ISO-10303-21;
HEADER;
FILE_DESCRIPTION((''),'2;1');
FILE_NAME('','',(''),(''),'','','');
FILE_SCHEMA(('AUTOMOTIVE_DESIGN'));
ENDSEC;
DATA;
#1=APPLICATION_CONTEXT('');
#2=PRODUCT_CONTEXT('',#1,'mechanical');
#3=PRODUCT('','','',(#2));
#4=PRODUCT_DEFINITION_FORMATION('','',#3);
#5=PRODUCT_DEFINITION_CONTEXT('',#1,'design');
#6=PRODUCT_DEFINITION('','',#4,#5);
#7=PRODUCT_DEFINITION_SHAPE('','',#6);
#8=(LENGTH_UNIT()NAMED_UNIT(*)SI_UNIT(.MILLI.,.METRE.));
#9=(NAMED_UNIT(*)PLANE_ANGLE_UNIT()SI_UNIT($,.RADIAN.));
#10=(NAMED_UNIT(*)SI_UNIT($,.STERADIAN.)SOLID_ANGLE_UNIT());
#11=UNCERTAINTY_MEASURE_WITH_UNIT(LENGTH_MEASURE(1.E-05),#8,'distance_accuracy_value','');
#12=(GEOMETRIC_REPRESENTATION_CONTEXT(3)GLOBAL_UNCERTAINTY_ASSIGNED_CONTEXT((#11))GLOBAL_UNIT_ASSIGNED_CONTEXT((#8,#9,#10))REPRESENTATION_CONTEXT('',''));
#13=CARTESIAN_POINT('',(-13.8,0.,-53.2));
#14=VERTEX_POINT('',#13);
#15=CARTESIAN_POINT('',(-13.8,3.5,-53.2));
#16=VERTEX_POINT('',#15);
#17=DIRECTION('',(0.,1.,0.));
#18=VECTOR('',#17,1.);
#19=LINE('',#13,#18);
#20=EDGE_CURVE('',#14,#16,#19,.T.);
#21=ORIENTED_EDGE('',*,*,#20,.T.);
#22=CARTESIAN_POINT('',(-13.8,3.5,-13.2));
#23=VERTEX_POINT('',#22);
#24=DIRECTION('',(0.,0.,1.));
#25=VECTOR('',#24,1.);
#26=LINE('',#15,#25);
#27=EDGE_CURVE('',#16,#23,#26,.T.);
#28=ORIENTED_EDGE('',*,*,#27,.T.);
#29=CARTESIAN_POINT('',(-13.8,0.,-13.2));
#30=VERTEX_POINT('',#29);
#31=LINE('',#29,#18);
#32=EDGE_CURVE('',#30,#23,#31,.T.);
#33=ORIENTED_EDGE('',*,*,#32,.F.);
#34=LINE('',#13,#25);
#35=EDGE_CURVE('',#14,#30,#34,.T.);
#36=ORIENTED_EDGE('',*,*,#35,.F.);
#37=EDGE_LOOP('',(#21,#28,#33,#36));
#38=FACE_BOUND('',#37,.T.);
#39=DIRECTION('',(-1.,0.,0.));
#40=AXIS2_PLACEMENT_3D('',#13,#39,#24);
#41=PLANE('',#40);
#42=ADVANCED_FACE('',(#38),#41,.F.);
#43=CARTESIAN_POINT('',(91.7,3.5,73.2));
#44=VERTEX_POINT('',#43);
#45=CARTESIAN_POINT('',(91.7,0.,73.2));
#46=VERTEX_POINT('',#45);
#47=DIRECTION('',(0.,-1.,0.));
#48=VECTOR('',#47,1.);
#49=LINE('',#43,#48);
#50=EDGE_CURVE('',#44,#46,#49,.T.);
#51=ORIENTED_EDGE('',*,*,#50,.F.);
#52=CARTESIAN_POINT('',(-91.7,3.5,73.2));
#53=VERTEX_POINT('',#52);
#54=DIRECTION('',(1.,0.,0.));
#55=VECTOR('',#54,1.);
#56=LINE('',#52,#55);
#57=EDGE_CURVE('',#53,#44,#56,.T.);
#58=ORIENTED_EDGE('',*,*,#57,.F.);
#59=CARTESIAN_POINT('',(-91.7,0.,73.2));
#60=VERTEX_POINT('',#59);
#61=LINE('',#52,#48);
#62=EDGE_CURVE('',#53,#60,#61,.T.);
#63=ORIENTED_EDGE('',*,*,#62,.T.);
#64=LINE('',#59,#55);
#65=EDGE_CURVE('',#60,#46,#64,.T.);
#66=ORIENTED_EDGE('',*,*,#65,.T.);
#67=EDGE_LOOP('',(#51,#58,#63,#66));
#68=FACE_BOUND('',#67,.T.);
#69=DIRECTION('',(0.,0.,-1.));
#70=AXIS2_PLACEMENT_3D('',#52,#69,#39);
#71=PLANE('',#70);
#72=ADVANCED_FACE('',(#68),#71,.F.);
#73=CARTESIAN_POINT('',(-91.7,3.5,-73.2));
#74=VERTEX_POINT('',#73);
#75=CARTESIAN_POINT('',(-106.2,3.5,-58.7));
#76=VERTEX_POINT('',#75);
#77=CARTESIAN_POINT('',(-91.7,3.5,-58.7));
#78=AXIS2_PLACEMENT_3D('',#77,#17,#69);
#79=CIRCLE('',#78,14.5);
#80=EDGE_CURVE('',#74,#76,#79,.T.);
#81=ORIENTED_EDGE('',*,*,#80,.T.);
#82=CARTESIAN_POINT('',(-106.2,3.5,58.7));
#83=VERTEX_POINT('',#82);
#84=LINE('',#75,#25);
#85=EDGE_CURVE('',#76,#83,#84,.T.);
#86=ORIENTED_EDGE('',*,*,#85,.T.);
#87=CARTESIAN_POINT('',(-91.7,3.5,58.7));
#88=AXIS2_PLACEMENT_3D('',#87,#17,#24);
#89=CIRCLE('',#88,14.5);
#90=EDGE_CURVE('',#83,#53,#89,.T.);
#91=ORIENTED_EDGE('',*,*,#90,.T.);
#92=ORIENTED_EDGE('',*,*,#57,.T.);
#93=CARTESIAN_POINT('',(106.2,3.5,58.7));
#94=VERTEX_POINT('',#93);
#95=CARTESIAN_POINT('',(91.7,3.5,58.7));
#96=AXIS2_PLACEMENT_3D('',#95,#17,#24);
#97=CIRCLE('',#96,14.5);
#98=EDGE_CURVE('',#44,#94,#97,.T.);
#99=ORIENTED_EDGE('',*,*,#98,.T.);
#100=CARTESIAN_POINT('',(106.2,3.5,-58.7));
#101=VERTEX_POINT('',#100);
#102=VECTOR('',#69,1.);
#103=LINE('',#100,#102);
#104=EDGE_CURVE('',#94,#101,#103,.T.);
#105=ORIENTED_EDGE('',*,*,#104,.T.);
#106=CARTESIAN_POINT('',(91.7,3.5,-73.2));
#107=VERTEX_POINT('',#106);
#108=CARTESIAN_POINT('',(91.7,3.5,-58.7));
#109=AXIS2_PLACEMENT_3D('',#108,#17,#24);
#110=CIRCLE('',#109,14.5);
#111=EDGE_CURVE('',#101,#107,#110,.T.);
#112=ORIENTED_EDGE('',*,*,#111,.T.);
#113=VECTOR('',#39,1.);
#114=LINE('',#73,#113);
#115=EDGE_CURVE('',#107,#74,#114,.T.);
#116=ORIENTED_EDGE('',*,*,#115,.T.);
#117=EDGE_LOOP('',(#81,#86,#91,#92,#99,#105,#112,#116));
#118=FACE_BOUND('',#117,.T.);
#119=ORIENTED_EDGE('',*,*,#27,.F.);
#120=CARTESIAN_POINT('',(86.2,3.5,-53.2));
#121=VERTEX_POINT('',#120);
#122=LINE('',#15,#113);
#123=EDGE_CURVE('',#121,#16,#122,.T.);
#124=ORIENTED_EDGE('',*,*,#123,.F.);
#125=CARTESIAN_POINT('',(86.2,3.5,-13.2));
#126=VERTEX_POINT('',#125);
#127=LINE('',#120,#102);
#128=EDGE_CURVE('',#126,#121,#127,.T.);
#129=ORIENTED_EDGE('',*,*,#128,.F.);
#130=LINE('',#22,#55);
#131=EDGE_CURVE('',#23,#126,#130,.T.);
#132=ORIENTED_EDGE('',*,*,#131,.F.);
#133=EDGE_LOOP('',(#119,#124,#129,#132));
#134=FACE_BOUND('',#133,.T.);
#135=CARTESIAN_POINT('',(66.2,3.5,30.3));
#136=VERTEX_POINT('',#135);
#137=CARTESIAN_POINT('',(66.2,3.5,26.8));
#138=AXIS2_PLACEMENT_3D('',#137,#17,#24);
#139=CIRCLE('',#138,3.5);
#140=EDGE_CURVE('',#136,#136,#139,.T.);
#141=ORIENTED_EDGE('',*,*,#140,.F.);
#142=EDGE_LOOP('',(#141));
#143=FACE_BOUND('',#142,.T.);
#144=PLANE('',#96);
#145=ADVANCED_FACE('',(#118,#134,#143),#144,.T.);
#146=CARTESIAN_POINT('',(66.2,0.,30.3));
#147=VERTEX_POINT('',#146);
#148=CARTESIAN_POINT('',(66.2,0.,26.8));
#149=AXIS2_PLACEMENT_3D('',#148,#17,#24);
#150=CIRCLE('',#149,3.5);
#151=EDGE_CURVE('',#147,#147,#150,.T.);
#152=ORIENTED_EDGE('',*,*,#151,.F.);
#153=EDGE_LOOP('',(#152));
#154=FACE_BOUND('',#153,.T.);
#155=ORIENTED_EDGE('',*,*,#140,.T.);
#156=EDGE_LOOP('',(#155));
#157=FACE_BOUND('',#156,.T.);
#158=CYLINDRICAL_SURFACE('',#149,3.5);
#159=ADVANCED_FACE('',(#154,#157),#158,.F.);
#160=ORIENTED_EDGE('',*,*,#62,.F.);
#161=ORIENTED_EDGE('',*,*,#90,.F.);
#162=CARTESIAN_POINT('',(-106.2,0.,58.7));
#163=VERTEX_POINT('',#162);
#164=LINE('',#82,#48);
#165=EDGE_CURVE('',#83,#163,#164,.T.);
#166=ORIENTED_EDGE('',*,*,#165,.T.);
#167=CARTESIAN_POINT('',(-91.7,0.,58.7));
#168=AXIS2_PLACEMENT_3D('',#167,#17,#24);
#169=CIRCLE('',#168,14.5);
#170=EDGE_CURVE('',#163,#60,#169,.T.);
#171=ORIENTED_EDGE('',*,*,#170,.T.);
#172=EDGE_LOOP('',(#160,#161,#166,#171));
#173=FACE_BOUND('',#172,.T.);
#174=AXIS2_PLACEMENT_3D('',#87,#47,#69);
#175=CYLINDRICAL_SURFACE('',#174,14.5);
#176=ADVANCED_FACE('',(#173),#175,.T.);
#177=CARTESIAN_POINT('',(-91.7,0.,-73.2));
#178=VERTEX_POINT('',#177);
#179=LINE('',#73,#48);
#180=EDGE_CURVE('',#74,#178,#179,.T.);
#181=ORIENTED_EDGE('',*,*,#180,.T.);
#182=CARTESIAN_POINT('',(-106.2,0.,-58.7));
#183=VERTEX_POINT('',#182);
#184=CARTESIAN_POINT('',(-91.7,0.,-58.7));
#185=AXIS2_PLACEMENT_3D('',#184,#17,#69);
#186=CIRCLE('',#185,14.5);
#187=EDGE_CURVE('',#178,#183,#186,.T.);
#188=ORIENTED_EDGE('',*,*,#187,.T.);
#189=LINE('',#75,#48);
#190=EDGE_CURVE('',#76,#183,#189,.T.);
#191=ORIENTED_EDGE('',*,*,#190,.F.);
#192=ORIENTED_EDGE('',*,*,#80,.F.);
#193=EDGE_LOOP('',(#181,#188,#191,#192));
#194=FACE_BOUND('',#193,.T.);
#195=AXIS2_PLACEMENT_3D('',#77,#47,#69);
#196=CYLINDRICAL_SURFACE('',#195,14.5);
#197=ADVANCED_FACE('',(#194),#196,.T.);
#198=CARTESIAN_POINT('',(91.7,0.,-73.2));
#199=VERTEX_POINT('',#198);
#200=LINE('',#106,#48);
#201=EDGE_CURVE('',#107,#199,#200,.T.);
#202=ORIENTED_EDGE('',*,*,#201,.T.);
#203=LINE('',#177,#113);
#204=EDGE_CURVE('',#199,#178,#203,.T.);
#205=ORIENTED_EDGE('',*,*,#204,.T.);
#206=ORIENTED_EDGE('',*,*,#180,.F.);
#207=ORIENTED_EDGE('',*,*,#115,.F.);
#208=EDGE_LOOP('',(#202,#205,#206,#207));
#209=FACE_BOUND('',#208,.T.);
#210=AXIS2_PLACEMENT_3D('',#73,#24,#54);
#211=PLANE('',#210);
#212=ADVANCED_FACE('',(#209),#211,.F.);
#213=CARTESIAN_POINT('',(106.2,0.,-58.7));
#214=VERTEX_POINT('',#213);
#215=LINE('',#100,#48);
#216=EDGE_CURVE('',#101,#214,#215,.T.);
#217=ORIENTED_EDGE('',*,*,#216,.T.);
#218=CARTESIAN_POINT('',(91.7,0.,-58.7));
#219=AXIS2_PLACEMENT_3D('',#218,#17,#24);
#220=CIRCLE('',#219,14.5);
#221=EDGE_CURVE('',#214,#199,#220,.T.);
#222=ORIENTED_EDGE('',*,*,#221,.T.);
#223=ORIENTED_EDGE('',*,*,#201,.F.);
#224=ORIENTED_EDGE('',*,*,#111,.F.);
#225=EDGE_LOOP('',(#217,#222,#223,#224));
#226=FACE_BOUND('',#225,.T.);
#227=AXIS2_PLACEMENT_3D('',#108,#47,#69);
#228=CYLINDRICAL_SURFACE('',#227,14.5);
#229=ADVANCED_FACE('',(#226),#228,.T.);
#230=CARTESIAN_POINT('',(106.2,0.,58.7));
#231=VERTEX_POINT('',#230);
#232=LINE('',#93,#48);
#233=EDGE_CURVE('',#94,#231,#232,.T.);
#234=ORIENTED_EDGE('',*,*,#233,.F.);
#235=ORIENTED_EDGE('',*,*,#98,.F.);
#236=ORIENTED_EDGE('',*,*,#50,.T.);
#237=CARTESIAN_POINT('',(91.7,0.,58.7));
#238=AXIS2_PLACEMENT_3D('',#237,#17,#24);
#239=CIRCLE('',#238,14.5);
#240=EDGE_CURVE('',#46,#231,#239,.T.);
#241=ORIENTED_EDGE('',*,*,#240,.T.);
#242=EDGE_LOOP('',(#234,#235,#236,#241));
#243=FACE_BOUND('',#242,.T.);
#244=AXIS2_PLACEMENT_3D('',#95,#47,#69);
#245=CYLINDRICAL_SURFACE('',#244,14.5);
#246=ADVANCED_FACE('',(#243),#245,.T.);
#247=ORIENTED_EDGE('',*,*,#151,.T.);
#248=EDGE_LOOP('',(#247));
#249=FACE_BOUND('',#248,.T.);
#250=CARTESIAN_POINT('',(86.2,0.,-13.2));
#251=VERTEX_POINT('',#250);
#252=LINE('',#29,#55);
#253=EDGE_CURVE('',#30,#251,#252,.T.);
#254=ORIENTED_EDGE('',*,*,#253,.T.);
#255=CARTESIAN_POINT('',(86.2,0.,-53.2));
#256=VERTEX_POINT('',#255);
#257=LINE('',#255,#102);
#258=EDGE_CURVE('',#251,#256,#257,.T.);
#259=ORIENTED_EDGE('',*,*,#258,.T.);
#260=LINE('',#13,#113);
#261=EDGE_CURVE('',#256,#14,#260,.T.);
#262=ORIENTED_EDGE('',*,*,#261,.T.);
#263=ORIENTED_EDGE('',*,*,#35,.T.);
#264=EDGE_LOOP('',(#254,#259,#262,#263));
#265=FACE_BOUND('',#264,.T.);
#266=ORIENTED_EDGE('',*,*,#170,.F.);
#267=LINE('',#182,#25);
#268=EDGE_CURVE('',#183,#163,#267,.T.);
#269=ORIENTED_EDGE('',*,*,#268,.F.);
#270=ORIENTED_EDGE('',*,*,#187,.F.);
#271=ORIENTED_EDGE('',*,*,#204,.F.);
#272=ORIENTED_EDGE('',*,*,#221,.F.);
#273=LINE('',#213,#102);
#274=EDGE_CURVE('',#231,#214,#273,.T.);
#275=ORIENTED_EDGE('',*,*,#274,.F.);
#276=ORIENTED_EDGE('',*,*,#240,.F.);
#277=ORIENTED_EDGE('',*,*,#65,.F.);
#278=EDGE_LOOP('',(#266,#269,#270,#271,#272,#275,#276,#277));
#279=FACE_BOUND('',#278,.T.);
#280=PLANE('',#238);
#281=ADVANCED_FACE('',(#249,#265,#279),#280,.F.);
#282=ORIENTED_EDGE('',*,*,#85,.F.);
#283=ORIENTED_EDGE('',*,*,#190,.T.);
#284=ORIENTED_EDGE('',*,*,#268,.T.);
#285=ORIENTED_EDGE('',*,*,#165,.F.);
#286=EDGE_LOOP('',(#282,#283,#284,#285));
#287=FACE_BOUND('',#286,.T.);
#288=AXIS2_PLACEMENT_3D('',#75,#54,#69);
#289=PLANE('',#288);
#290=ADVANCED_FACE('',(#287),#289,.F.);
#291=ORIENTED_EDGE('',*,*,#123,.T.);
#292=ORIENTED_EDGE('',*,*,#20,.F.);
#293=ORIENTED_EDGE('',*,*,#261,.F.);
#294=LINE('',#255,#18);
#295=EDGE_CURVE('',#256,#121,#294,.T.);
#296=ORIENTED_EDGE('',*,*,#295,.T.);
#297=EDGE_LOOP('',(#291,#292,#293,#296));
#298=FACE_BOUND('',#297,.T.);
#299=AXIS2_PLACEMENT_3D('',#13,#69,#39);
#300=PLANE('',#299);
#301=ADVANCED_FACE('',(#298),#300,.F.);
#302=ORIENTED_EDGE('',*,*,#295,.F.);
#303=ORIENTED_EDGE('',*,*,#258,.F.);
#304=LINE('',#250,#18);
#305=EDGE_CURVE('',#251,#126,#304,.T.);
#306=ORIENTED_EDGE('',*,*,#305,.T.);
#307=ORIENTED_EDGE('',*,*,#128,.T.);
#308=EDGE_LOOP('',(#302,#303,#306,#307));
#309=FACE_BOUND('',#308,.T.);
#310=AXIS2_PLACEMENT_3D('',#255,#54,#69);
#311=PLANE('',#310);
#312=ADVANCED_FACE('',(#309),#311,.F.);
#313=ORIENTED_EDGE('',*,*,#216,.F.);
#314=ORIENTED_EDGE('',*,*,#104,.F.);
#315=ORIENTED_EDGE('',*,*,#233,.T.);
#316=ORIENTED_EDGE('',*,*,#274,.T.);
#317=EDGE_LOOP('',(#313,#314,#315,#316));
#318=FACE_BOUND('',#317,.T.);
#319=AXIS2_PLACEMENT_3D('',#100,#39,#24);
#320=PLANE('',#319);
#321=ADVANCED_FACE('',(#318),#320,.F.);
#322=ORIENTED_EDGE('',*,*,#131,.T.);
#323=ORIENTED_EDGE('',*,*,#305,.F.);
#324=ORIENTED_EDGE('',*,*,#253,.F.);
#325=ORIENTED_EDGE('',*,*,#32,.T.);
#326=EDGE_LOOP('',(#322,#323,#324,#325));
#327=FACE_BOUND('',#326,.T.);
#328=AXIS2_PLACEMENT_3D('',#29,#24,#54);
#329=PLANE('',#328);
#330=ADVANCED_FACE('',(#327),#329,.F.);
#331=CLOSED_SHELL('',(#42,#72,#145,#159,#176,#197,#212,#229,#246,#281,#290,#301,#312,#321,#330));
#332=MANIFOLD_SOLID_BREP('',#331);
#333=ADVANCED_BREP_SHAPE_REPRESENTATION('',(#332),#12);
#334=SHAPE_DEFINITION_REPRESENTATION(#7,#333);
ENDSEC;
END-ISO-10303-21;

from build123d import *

# Parameters (mm, degrees)
BOSS_EXTRUDE1_DEPTH = 3.5
SKETCH2_R           = 3.5
SKETCH2_W           = 100
SKETCH2_H           = 40
CUT_EXTRUDE1_DEPTH  = 3.5


with BuildPart() as part:
    # Sketch1 → Boss-Extrude1 (new body)
    with BuildSketch(Plane(origin=(0, 0, 0), x_dir=(1, 0, 0), z_dir=(0, 1, 0))):
        with BuildLine():
            Line((-91.7, 73.2), (91.7, 73.2))
            ThreePointArc((91.7, 73.2), (101.953048327, 68.953048327), (106.2, 58.7))
            Line((106.2, 58.7), (106.2, -58.7))
            ThreePointArc((106.2, -58.7), (101.953048327, -68.953048327), (91.7, -73.2))
            Line((91.7, -73.2), (-91.7, -73.2))
            ThreePointArc((-91.7, -73.2), (-101.953048327, -68.953048327), (-106.2, -58.7))
            Line((-106.2, -58.7), (-106.2, 58.7))
            ThreePointArc((-106.2, 58.7), (-101.953048327, 68.953048327), (-91.7, 73.2))
        make_face()
    extrude(amount=BOSS_EXTRUDE1_DEPTH)

    # Sketch2 → Cut-Extrude1 (cut)
    with BuildSketch(Plane(origin=(0, 3.5, 0), x_dir=(1, 0, 0), z_dir=(0, 1, 0))):
        with Locations(Location((66.2, -26.8, 0), (0, 0, 270))):
            Circle(SKETCH2_R)
        with Locations((36.2, 33.2)):
            Rectangle(SKETCH2_W, SKETCH2_H)
    extrude(amount=-CUT_EXTRUDE1_DEPTH, mode=Mode.SUBTRACT)


solid = part.part
